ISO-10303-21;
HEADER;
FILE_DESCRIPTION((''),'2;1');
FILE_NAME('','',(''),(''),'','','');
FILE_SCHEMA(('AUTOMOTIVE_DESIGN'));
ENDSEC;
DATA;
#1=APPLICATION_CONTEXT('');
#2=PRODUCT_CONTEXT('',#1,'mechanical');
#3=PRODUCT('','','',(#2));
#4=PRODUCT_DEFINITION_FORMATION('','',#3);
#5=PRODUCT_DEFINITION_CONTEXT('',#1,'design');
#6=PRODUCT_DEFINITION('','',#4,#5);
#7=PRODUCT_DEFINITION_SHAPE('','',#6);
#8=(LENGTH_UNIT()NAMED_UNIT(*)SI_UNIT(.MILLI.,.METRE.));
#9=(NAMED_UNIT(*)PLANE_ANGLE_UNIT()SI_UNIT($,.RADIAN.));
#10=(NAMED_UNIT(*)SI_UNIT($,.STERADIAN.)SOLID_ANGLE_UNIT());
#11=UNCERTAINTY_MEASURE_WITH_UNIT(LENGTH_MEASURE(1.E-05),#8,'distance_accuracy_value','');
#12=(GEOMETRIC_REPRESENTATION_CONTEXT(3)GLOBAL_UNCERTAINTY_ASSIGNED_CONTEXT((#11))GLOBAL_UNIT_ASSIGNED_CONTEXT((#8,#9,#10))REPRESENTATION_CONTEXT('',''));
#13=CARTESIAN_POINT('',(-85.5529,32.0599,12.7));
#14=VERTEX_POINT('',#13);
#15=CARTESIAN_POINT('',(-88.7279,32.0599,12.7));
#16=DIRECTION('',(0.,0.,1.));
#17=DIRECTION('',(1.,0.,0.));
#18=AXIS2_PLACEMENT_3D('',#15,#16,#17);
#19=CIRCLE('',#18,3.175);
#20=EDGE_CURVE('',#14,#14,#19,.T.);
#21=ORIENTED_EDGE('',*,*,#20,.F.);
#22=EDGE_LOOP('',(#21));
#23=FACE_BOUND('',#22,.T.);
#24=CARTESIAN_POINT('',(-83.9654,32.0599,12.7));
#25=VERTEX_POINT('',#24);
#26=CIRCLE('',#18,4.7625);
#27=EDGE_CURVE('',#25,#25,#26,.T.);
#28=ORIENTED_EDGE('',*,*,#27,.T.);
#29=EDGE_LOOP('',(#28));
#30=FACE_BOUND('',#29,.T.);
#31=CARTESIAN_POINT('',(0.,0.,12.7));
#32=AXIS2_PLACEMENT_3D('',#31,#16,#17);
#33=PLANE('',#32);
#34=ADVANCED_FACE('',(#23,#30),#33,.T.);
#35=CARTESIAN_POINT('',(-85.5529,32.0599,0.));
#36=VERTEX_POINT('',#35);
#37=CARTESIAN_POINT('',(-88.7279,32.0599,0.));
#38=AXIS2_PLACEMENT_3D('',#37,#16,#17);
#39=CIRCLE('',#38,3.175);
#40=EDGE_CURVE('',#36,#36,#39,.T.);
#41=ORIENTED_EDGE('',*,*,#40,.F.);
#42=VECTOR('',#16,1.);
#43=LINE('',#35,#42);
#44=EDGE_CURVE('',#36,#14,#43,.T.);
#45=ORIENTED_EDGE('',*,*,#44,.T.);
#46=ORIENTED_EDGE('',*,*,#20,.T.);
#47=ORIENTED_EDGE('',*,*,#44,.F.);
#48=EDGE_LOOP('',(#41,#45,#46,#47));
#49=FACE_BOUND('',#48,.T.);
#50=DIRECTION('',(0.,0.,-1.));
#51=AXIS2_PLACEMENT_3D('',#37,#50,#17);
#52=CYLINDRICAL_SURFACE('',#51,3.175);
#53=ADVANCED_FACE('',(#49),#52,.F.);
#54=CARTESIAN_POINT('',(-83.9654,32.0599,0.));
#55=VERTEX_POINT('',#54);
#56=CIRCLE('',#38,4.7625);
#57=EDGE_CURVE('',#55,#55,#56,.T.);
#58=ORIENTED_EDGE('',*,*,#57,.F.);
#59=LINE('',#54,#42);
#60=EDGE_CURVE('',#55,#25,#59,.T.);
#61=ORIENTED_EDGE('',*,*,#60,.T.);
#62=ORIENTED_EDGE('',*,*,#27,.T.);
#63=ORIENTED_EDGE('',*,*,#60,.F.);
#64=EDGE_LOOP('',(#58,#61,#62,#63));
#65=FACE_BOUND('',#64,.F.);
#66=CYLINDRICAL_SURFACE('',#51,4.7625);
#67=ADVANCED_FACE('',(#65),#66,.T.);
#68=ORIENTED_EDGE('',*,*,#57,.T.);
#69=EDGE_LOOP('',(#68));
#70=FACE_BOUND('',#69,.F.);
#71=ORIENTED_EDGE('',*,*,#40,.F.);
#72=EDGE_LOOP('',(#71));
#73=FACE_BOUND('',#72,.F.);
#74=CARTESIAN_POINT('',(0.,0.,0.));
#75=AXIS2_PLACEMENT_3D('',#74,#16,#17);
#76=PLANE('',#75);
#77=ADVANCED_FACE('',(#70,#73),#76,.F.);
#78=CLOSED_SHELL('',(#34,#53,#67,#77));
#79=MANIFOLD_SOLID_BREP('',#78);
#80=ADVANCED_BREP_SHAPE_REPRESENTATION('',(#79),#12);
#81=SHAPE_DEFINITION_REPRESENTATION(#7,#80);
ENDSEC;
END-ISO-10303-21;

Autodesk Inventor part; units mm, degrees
ref_plane "YZ Plane" through (0, 0, 0) normal (1, 0, 0) x (0, 1, 0)
ref_plane "XZ Plane" through (0, 0, 0) normal (0, 1, 0) x (-1, 0, 0)
ref_plane "XY Plane" through (0, 0, 0) normal (0, 0, 1) x (1, 0, 0)
sketch "Sketch1" plane through (0, 0, 0) normal (0, 0, 1) x (1, 0, 0)
  circle A0 centre (-88.7279, 32.0599) radius 3.175
  circle A1 centre (-88.7279, 32.0599) radius 4.7625
  point P0 (0, 0)
  dimension "d0" = 6.35
  dimension "d2" = 9.525
extrude "Extrusion1" add sketch "Sketch1" along normal blind 12.7
properties part number "Kicker spacer"
